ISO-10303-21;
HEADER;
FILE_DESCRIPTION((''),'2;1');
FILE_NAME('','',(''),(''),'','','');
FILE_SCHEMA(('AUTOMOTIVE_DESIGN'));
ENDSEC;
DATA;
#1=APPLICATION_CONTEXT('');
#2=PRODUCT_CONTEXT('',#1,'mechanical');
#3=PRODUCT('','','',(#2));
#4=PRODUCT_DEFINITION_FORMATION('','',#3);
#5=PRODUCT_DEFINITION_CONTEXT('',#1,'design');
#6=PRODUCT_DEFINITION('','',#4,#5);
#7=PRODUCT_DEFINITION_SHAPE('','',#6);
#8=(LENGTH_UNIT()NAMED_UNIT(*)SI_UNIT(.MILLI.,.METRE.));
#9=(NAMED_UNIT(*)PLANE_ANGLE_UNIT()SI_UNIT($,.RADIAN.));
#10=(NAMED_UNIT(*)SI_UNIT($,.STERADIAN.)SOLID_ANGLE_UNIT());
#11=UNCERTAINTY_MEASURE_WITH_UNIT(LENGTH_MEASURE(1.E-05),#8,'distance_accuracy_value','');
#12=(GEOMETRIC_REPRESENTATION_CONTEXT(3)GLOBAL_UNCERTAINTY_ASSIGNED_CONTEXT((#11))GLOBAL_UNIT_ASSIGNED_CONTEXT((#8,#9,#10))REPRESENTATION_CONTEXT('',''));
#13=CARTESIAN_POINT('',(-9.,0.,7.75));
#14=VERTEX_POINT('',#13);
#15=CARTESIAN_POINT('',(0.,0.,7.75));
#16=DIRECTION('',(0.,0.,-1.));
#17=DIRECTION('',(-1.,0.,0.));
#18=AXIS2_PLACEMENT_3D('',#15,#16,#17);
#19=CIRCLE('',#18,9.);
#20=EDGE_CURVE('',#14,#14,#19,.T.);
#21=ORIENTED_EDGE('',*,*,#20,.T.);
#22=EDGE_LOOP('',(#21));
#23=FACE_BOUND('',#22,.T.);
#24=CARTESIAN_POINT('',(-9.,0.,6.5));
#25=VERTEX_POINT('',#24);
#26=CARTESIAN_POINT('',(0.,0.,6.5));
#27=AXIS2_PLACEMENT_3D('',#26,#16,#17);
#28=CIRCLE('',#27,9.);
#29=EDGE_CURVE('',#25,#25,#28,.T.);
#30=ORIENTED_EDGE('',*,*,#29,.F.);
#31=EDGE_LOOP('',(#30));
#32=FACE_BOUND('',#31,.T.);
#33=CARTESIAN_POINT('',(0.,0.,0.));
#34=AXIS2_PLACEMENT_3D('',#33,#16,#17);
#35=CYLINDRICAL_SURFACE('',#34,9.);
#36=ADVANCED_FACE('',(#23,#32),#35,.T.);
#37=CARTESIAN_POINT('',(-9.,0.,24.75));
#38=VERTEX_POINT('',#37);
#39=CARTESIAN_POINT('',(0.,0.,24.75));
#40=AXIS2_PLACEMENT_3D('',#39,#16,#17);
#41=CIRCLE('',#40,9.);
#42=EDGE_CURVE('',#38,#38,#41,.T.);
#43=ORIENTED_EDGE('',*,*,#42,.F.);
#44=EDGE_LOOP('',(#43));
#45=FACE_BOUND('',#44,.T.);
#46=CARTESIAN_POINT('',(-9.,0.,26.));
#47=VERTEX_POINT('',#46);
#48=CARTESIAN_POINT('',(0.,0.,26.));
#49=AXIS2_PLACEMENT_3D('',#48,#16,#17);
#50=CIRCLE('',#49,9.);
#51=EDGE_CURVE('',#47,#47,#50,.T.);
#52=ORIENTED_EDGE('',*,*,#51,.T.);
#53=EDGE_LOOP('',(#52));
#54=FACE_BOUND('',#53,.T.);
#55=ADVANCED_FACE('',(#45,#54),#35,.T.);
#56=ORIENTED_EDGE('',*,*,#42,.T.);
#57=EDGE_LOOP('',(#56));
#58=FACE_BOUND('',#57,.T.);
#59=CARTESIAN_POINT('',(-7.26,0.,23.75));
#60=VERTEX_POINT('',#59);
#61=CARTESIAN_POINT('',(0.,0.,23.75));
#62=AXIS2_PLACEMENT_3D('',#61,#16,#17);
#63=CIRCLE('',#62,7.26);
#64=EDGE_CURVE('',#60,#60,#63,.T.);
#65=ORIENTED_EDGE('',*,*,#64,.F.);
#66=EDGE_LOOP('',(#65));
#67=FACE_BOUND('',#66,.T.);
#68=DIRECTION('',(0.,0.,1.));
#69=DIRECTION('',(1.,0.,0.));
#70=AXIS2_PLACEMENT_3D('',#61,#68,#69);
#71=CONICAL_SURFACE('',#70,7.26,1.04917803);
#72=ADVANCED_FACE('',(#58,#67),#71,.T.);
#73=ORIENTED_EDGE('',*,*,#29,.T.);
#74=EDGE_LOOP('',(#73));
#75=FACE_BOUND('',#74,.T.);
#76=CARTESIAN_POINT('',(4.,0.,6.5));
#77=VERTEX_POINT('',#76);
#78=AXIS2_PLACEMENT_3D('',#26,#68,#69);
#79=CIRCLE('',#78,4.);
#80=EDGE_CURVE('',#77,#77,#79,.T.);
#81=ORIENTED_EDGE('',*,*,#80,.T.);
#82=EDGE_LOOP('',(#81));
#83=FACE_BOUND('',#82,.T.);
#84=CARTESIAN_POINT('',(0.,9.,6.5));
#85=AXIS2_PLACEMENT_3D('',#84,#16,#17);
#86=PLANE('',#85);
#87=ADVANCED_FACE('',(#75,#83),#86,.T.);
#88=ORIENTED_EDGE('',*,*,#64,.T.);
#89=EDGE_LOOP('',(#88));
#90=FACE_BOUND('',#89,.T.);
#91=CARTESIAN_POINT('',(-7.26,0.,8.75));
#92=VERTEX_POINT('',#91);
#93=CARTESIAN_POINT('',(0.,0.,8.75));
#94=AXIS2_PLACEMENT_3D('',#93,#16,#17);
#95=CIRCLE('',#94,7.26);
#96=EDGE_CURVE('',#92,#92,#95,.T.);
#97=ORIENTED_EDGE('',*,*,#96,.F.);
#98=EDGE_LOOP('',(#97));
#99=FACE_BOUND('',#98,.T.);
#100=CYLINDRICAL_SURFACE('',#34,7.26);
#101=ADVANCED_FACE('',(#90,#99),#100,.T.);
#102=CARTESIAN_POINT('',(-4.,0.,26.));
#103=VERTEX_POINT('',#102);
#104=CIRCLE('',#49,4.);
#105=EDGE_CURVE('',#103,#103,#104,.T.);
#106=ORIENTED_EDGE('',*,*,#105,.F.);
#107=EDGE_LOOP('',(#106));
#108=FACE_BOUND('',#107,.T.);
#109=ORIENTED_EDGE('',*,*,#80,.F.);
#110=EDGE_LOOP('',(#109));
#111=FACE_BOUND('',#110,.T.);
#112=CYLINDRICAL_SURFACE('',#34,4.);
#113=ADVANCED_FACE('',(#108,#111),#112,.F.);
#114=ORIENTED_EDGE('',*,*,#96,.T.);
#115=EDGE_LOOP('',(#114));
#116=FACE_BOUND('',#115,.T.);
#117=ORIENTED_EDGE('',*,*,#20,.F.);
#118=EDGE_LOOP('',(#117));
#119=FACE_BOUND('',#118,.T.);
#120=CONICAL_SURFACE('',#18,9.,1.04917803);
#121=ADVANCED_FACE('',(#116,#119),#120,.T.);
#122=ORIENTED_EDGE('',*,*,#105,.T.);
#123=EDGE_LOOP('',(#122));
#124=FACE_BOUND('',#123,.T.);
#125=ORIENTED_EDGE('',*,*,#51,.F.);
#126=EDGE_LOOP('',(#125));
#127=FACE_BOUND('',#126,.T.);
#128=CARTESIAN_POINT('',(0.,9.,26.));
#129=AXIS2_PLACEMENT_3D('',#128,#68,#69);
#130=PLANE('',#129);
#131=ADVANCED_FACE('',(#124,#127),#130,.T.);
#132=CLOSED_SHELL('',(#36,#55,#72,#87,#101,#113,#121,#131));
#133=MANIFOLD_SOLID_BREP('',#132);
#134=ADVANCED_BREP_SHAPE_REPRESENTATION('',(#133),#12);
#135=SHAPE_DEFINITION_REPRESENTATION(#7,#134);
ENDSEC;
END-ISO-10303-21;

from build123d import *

# Parameters (mm, degrees)
ODEBRAT_VYSUNUT_M1_DEPTH      = 29.948229652
ODEBRAT_VYSUNUT_M1_DEPTH_BACK = 29.948229652
SKICA2_W                      = 9.5
SKICA2_H                      = 6.5


with BuildPart() as part:
    # Skica1 → Rotovat1 (revolve)
    with BuildSketch(Plane(origin=(0, 0, 0), x_dir=(0, 0, -1), z_dir=(1, 0, 0)), mode=Mode.PRIVATE) as rotovat1_sk:
        Polygon((0, 4), (0, 4.75), (-6.5, 4.75), (-6.5, 9), (-7.75, 9), (-8.75, 7.26), (-23.75, 7.26), (-24.75, 9), (-26, 9), (-26, 4), align=None)
    revolve(rotovat1_sk.sketch.rotate(Axis((0, 0, 0), (0, 0, 1)), 90), axis=Axis((0, 0, 0), (0, 0, 1)))

    # Skica2 → Odebrat vysunutím1 (cut, two sides: drawn at the far end of the back side and taken through both)
    with BuildSketch(Plane(origin=(0, 0, 0), x_dir=(1, 0, 0), z_dir=(0, 1, 0)).offset(-ODEBRAT_VYSUNUT_M1_DEPTH_BACK)):
        with Locations((0, -3.25)):
            Rectangle(SKICA2_W, SKICA2_H)
    extrude(amount=ODEBRAT_VYSUNUT_M1_DEPTH + ODEBRAT_VYSUNUT_M1_DEPTH_BACK, mode=Mode.SUBTRACT)


solid = part.part
